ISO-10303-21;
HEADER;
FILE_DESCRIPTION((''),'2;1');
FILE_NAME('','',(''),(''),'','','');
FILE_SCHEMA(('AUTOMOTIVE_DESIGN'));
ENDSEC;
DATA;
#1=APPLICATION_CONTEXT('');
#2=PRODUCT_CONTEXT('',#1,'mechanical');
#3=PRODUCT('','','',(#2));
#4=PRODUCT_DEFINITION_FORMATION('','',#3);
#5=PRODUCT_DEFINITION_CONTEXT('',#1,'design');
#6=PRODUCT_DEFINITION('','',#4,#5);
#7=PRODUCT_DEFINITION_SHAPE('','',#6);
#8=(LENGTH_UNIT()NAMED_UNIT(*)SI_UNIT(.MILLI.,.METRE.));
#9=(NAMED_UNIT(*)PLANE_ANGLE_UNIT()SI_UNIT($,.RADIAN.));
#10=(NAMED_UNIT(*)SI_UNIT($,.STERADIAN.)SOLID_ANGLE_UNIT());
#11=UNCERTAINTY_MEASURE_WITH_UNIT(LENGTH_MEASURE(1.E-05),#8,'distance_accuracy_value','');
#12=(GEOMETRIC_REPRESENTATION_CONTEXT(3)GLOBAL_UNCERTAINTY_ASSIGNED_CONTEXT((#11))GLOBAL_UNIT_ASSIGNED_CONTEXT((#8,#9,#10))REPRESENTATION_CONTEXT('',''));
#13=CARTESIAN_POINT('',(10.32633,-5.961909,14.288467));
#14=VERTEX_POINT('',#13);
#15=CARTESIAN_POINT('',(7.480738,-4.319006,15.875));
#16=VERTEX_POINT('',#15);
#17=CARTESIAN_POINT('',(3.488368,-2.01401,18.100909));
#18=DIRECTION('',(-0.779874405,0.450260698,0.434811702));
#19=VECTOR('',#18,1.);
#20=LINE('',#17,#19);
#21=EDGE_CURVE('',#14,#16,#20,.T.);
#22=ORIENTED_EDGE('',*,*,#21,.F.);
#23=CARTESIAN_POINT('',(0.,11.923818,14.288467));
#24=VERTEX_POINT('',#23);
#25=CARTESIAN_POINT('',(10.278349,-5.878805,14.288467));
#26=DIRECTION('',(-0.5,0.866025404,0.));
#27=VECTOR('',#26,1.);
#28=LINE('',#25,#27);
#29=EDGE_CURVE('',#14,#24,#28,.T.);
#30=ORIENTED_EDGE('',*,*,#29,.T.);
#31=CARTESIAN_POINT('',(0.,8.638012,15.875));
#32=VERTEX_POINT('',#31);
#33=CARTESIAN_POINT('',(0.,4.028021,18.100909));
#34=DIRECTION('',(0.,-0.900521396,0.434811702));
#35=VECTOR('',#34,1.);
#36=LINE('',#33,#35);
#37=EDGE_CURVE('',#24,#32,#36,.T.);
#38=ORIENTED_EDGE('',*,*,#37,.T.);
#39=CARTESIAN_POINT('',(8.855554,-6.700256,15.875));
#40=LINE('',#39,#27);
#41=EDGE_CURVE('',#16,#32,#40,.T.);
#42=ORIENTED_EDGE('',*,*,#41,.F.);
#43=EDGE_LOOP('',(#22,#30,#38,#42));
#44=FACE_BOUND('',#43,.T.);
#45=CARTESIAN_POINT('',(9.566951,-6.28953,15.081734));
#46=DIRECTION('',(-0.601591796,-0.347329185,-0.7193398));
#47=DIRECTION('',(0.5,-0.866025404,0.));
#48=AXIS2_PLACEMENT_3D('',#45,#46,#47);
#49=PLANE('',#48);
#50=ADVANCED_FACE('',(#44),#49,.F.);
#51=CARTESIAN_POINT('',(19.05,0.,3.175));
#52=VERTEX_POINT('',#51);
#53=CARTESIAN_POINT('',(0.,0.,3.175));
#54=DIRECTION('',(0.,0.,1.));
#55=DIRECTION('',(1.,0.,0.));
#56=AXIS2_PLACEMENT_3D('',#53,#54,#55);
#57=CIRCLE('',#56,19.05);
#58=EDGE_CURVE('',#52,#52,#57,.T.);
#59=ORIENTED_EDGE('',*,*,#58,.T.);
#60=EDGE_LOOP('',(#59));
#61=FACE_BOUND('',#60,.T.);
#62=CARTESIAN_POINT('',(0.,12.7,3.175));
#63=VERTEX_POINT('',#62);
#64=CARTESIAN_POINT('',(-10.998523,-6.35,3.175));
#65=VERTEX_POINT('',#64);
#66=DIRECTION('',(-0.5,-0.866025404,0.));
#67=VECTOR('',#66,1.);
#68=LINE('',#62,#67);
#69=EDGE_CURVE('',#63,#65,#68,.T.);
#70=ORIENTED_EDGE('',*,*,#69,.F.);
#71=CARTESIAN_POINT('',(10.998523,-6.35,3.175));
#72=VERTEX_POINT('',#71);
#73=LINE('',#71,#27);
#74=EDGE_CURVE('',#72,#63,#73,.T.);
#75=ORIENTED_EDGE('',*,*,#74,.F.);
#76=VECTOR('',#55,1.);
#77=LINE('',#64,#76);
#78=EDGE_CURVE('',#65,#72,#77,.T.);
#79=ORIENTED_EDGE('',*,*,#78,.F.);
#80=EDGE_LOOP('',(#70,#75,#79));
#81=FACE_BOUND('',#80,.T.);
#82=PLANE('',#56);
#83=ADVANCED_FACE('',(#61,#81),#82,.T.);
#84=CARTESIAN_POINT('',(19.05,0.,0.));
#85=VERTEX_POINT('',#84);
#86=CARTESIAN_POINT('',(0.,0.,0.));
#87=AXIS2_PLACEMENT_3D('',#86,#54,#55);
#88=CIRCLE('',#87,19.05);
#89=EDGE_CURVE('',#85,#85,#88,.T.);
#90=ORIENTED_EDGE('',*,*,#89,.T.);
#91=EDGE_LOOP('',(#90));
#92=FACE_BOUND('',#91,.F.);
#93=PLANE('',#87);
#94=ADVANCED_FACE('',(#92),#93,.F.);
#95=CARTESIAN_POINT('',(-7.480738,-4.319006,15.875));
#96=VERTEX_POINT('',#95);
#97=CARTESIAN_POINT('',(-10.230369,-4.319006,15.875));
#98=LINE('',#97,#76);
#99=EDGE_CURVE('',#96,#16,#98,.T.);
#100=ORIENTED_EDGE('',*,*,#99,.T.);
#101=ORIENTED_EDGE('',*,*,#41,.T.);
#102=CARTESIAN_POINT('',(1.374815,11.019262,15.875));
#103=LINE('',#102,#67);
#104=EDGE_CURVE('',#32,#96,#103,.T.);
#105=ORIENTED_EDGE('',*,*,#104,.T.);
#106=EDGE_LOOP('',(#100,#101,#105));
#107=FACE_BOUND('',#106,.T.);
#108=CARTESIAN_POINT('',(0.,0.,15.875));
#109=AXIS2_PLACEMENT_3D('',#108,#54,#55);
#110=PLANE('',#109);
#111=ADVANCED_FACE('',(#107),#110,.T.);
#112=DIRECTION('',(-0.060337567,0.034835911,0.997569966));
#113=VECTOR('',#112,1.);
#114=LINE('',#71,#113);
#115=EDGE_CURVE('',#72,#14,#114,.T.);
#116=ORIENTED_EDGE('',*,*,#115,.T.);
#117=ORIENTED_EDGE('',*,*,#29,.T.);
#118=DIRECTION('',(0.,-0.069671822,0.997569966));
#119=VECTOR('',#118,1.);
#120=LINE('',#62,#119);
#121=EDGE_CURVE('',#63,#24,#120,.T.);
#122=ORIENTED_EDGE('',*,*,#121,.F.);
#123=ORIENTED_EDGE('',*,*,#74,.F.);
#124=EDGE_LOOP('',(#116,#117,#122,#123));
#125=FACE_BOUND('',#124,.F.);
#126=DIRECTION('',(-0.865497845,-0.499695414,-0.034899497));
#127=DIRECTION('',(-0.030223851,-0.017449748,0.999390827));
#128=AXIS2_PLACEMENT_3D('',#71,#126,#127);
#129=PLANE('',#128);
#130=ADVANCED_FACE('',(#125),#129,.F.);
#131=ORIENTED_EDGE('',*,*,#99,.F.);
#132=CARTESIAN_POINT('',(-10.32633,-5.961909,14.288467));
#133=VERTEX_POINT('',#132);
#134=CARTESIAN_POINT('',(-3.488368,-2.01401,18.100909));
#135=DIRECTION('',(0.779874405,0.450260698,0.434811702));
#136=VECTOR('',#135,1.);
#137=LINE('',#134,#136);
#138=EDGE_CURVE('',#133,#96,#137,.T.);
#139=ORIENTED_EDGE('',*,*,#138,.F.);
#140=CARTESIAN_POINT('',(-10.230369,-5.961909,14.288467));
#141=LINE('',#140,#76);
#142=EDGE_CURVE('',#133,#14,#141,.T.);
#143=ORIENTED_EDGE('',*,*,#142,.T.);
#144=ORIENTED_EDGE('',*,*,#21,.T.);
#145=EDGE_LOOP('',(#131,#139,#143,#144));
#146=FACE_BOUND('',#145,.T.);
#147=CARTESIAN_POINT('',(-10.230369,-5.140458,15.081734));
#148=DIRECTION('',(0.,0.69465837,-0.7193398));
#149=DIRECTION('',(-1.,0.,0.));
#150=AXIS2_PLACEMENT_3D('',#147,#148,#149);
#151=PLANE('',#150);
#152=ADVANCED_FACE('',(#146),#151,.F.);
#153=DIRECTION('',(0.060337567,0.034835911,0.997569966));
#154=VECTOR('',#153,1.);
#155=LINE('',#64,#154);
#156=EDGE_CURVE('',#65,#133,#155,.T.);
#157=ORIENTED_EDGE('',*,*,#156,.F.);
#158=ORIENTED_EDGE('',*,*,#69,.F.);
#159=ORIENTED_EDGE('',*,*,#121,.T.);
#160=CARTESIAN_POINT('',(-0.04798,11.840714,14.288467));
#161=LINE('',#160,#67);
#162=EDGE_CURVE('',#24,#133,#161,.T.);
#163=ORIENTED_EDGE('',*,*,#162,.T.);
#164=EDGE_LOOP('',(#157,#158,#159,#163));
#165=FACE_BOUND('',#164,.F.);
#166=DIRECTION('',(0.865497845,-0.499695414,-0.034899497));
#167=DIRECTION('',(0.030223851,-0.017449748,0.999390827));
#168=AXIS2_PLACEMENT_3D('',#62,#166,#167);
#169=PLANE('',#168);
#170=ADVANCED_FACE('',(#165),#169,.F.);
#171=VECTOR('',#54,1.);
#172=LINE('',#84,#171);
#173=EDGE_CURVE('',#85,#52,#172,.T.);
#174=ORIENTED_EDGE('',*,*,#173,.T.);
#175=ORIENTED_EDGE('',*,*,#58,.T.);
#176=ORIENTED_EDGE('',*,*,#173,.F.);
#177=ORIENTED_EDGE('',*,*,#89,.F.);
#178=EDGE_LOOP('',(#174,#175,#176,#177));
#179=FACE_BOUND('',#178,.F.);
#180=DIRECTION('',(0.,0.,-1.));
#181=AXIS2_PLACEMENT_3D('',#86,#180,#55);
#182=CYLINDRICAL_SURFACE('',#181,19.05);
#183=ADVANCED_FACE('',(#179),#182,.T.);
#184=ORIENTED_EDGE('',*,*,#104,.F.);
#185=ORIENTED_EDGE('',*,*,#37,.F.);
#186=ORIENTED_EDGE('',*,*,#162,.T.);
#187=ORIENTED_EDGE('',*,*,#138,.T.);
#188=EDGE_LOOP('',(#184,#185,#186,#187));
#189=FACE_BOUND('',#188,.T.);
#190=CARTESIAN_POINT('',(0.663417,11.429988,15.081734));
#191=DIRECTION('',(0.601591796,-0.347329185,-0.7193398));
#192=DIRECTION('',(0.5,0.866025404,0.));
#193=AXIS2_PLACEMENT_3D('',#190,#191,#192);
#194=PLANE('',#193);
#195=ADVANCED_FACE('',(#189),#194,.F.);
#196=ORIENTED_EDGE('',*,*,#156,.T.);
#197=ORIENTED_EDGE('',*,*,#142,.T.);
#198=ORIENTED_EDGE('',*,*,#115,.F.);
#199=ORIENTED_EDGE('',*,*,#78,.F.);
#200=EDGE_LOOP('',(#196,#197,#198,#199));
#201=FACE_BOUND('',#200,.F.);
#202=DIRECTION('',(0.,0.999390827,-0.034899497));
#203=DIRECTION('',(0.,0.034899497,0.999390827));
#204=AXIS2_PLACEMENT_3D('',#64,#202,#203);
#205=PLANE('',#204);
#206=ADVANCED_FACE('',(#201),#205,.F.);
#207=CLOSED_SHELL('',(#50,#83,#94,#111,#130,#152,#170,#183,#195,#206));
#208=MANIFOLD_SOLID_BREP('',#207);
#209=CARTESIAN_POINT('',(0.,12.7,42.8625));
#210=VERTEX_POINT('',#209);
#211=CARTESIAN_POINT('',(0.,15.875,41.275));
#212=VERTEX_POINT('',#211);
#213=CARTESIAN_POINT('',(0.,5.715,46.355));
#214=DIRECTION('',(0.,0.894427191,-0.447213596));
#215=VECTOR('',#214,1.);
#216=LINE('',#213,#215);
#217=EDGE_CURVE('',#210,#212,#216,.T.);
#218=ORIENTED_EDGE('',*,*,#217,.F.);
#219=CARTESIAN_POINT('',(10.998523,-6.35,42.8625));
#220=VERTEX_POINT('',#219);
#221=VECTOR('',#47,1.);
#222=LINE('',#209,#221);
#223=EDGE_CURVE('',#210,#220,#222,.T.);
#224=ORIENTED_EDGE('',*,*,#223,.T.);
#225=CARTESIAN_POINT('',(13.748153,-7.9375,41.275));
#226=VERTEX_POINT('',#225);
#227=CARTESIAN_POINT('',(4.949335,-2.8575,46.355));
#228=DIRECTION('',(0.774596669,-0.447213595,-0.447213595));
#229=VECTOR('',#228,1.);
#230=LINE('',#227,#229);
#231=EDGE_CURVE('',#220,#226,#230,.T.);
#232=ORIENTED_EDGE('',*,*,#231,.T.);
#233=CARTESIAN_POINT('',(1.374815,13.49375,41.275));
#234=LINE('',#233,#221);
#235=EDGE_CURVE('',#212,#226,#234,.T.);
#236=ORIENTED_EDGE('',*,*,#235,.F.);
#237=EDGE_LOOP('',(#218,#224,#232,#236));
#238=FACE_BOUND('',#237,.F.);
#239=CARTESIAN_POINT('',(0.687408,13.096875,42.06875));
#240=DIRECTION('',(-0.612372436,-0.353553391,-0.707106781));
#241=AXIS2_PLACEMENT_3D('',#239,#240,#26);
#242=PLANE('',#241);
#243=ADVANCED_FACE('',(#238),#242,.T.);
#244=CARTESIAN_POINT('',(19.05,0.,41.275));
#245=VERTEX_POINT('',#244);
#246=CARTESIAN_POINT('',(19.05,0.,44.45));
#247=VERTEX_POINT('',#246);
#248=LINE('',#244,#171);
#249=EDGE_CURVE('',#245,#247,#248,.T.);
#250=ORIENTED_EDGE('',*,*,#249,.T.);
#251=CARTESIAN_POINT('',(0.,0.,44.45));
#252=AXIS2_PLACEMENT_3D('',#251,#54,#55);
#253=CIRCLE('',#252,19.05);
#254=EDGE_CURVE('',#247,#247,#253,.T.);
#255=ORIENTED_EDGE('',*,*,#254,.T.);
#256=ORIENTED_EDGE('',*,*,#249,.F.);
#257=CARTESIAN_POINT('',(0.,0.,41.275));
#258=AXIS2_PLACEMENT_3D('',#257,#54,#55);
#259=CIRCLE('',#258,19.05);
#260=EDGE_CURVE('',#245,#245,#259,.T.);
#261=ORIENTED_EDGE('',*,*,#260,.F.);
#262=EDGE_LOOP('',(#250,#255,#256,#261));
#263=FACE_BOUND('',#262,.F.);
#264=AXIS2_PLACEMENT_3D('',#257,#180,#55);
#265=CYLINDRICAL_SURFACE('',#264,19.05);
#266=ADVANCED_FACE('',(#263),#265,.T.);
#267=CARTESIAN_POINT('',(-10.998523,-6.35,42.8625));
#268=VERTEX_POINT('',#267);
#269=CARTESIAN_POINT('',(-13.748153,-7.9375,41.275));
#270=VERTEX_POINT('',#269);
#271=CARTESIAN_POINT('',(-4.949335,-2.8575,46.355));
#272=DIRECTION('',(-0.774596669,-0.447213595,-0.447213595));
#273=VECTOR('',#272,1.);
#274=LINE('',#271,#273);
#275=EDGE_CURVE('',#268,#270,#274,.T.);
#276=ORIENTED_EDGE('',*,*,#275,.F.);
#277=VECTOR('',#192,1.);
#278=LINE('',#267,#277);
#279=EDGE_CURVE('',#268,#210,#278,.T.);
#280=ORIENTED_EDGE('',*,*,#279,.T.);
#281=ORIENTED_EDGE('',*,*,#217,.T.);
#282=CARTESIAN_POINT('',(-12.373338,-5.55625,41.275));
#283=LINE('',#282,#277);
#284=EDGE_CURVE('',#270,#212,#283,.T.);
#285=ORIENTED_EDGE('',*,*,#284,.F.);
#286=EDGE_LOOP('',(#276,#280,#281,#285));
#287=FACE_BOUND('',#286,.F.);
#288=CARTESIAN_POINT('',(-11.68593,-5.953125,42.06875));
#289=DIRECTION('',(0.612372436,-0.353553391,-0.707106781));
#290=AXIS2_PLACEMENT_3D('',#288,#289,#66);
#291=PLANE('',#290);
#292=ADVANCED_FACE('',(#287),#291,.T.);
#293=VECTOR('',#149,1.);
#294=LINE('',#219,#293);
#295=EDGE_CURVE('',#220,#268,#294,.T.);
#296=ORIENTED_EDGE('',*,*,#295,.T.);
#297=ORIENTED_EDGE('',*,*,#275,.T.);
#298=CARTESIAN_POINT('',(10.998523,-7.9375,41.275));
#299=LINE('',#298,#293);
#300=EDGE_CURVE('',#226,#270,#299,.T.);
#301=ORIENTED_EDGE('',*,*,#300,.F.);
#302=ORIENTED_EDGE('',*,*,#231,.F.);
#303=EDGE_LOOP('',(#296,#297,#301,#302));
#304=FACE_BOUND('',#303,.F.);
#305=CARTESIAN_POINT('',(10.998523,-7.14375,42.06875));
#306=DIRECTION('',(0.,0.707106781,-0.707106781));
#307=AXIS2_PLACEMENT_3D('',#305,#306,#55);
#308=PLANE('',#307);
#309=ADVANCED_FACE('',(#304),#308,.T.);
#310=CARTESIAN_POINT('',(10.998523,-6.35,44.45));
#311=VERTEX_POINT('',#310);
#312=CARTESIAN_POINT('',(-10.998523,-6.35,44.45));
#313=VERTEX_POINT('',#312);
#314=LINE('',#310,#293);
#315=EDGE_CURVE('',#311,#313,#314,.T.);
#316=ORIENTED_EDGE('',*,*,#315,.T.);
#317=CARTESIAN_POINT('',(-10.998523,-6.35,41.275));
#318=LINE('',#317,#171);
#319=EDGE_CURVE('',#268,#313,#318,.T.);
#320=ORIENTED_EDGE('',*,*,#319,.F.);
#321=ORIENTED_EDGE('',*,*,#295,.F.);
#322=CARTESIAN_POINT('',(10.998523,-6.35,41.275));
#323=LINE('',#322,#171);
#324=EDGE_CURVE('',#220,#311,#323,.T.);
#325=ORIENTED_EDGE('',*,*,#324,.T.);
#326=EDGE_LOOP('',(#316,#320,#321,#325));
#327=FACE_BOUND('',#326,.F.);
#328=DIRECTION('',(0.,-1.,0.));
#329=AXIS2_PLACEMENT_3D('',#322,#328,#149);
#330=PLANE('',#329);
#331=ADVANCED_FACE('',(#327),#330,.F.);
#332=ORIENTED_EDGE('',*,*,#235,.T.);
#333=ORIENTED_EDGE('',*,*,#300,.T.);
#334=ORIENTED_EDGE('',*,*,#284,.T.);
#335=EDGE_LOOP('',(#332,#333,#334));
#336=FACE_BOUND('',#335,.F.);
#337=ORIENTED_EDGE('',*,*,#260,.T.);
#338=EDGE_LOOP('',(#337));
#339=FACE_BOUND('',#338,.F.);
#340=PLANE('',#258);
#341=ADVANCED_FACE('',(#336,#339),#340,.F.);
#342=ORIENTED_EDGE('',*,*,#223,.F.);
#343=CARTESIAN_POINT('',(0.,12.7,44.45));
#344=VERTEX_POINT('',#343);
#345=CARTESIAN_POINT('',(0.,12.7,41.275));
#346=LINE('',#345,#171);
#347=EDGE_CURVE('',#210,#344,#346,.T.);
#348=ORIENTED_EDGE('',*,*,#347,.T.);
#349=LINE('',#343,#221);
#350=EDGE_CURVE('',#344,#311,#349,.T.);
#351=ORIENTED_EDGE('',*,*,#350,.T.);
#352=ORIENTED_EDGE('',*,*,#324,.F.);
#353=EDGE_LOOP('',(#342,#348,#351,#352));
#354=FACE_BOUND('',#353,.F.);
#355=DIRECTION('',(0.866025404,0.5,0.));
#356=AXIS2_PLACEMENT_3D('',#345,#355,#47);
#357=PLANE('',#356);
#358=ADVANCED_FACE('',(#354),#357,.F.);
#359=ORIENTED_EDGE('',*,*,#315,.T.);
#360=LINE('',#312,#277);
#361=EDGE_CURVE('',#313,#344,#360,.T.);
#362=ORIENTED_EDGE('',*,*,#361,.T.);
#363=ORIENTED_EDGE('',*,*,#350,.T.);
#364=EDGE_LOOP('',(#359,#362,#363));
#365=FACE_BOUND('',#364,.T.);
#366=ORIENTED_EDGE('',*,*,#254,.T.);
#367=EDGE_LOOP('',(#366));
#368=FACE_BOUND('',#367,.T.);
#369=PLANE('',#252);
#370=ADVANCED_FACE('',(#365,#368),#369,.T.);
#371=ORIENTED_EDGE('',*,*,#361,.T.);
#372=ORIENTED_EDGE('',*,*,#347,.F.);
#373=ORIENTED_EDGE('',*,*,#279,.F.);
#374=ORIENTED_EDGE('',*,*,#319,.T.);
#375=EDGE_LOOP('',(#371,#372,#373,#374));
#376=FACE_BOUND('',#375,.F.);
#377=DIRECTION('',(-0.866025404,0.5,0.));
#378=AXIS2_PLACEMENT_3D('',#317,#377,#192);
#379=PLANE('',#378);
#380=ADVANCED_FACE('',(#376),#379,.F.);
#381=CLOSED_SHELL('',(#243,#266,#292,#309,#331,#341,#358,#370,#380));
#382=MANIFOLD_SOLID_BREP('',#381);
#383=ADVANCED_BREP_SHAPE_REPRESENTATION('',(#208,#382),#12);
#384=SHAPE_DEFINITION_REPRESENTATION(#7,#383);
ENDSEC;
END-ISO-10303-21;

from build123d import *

# Parameters (mm, degrees)
F0_R      = 19.05
F1_DEPTH  = 3.175
F3_DEPTH  = 12.7
F3_TAPER  = 2
F5_R      = 19.05
F6_DEPTH  = 3.175
F7_SIZE   = 1.5875
F7_2_SIZE = 1.5875


with BuildPart() as f1:
    # F0 (on Top) → F1 (new body)
    with BuildSketch(Plane.XY):
        Circle(F0_R)
        Polygon((-10.9985226281, -6.35), (0, 12.7), (10.9985226281, -6.35), align=None, mode=Mode.SUBTRACT)
        Polygon((10.9985226281, -6.35), (0, 12.7), (-10.9985226281, -6.35), align=None)
    extrude(amount=F1_DEPTH)

    # F2 (on face) → F3 (join)
    with BuildSketch(Plane.XY.offset(3.175)):
        Polygon((10.9985226281, -6.35), (0, 12.7), (-10.9985226281, -6.35), align=None)
    extrude(amount=F3_DEPTH, taper=F3_TAPER)

    # F7
    f7_edges = [f1.edges().sort_by_distance(p)[0] for p in [
        (5.115184, 2.953253, 15.875),
        (0, -5.906506, 15.875),
        (-5.115184, 2.953253, 15.875),
    ]]
    chamfer(f7_edges, length=F7_SIZE)


with BuildPart() as f6:
    # F5 (on offset) → F6 (new body)
    with BuildSketch(Plane.XY.offset(41.275)):
        Circle(F5_R)
        Polygon((-10.9985226281, -6.35), (0, 12.7), (10.9985226281, -6.35), align=None, mode=Mode.SUBTRACT)
    extrude(amount=F6_DEPTH)

    # F7#2
    f7_2_edges = [f6.edges().sort_by_distance(p)[0] for p in [
        (-5.499261, 3.175, 41.275),
        (5.499261, 3.175, 41.275),
        (0, -6.35, 41.275),
    ]]
    chamfer(f7_2_edges, length=F7_2_SIZE)


solid = Compound([f1.part, f6.part])
